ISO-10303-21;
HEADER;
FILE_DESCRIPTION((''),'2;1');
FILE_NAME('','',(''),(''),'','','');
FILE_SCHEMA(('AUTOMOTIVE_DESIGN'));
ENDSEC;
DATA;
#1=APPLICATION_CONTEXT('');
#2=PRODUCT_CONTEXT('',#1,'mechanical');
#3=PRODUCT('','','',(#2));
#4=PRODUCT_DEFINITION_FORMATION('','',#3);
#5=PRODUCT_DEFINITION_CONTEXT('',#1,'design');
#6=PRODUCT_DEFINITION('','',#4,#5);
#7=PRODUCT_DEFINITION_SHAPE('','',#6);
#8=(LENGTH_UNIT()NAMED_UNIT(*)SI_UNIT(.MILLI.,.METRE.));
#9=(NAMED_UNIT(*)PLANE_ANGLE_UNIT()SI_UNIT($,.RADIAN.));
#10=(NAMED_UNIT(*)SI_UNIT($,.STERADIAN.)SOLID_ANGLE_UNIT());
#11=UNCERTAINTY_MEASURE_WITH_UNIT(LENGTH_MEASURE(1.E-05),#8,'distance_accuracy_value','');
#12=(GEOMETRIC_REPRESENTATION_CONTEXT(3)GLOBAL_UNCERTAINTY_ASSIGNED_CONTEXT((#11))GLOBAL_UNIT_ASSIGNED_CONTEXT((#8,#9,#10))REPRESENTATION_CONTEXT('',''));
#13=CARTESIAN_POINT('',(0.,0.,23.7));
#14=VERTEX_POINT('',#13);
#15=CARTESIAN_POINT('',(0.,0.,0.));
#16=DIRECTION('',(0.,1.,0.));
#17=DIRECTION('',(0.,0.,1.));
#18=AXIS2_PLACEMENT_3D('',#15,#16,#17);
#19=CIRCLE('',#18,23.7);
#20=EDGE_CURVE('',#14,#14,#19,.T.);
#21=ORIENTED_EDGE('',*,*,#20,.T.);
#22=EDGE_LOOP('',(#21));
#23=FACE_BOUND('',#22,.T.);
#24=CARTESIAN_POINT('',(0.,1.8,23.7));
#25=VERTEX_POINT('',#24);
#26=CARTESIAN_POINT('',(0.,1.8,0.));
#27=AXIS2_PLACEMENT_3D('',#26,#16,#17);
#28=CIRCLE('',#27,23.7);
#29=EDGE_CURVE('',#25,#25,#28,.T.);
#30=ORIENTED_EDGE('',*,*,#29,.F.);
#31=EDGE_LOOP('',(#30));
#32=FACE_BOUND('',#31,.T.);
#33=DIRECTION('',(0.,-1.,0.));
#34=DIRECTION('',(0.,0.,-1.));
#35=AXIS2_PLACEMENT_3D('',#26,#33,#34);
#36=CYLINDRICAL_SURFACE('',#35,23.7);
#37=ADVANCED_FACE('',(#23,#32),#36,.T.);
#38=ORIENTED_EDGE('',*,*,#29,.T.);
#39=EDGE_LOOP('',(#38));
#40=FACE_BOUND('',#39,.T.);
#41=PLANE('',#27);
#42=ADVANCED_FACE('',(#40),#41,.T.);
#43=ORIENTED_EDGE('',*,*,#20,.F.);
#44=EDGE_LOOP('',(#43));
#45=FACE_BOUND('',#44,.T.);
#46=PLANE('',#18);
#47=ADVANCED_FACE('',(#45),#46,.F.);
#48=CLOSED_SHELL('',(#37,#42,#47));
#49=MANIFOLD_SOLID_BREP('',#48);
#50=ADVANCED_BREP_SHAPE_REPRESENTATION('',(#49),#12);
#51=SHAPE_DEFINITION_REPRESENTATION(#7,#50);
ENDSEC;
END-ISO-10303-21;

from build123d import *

# Parameters (mm, degrees)
SKETCH_1_R      = 23.7
EXTRUDE_1_DEPTH = 1.8


with BuildPart() as part:
    # 草图1 → 凸台-拉伸1 (new body)
    with BuildSketch(Plane(origin=(0, 0, 0), x_dir=(1, 0, 0), z_dir=(0, 1, 0))):
        Circle(SKETCH_1_R)
    extrude(amount=EXTRUDE_1_DEPTH)


solid = part.part
